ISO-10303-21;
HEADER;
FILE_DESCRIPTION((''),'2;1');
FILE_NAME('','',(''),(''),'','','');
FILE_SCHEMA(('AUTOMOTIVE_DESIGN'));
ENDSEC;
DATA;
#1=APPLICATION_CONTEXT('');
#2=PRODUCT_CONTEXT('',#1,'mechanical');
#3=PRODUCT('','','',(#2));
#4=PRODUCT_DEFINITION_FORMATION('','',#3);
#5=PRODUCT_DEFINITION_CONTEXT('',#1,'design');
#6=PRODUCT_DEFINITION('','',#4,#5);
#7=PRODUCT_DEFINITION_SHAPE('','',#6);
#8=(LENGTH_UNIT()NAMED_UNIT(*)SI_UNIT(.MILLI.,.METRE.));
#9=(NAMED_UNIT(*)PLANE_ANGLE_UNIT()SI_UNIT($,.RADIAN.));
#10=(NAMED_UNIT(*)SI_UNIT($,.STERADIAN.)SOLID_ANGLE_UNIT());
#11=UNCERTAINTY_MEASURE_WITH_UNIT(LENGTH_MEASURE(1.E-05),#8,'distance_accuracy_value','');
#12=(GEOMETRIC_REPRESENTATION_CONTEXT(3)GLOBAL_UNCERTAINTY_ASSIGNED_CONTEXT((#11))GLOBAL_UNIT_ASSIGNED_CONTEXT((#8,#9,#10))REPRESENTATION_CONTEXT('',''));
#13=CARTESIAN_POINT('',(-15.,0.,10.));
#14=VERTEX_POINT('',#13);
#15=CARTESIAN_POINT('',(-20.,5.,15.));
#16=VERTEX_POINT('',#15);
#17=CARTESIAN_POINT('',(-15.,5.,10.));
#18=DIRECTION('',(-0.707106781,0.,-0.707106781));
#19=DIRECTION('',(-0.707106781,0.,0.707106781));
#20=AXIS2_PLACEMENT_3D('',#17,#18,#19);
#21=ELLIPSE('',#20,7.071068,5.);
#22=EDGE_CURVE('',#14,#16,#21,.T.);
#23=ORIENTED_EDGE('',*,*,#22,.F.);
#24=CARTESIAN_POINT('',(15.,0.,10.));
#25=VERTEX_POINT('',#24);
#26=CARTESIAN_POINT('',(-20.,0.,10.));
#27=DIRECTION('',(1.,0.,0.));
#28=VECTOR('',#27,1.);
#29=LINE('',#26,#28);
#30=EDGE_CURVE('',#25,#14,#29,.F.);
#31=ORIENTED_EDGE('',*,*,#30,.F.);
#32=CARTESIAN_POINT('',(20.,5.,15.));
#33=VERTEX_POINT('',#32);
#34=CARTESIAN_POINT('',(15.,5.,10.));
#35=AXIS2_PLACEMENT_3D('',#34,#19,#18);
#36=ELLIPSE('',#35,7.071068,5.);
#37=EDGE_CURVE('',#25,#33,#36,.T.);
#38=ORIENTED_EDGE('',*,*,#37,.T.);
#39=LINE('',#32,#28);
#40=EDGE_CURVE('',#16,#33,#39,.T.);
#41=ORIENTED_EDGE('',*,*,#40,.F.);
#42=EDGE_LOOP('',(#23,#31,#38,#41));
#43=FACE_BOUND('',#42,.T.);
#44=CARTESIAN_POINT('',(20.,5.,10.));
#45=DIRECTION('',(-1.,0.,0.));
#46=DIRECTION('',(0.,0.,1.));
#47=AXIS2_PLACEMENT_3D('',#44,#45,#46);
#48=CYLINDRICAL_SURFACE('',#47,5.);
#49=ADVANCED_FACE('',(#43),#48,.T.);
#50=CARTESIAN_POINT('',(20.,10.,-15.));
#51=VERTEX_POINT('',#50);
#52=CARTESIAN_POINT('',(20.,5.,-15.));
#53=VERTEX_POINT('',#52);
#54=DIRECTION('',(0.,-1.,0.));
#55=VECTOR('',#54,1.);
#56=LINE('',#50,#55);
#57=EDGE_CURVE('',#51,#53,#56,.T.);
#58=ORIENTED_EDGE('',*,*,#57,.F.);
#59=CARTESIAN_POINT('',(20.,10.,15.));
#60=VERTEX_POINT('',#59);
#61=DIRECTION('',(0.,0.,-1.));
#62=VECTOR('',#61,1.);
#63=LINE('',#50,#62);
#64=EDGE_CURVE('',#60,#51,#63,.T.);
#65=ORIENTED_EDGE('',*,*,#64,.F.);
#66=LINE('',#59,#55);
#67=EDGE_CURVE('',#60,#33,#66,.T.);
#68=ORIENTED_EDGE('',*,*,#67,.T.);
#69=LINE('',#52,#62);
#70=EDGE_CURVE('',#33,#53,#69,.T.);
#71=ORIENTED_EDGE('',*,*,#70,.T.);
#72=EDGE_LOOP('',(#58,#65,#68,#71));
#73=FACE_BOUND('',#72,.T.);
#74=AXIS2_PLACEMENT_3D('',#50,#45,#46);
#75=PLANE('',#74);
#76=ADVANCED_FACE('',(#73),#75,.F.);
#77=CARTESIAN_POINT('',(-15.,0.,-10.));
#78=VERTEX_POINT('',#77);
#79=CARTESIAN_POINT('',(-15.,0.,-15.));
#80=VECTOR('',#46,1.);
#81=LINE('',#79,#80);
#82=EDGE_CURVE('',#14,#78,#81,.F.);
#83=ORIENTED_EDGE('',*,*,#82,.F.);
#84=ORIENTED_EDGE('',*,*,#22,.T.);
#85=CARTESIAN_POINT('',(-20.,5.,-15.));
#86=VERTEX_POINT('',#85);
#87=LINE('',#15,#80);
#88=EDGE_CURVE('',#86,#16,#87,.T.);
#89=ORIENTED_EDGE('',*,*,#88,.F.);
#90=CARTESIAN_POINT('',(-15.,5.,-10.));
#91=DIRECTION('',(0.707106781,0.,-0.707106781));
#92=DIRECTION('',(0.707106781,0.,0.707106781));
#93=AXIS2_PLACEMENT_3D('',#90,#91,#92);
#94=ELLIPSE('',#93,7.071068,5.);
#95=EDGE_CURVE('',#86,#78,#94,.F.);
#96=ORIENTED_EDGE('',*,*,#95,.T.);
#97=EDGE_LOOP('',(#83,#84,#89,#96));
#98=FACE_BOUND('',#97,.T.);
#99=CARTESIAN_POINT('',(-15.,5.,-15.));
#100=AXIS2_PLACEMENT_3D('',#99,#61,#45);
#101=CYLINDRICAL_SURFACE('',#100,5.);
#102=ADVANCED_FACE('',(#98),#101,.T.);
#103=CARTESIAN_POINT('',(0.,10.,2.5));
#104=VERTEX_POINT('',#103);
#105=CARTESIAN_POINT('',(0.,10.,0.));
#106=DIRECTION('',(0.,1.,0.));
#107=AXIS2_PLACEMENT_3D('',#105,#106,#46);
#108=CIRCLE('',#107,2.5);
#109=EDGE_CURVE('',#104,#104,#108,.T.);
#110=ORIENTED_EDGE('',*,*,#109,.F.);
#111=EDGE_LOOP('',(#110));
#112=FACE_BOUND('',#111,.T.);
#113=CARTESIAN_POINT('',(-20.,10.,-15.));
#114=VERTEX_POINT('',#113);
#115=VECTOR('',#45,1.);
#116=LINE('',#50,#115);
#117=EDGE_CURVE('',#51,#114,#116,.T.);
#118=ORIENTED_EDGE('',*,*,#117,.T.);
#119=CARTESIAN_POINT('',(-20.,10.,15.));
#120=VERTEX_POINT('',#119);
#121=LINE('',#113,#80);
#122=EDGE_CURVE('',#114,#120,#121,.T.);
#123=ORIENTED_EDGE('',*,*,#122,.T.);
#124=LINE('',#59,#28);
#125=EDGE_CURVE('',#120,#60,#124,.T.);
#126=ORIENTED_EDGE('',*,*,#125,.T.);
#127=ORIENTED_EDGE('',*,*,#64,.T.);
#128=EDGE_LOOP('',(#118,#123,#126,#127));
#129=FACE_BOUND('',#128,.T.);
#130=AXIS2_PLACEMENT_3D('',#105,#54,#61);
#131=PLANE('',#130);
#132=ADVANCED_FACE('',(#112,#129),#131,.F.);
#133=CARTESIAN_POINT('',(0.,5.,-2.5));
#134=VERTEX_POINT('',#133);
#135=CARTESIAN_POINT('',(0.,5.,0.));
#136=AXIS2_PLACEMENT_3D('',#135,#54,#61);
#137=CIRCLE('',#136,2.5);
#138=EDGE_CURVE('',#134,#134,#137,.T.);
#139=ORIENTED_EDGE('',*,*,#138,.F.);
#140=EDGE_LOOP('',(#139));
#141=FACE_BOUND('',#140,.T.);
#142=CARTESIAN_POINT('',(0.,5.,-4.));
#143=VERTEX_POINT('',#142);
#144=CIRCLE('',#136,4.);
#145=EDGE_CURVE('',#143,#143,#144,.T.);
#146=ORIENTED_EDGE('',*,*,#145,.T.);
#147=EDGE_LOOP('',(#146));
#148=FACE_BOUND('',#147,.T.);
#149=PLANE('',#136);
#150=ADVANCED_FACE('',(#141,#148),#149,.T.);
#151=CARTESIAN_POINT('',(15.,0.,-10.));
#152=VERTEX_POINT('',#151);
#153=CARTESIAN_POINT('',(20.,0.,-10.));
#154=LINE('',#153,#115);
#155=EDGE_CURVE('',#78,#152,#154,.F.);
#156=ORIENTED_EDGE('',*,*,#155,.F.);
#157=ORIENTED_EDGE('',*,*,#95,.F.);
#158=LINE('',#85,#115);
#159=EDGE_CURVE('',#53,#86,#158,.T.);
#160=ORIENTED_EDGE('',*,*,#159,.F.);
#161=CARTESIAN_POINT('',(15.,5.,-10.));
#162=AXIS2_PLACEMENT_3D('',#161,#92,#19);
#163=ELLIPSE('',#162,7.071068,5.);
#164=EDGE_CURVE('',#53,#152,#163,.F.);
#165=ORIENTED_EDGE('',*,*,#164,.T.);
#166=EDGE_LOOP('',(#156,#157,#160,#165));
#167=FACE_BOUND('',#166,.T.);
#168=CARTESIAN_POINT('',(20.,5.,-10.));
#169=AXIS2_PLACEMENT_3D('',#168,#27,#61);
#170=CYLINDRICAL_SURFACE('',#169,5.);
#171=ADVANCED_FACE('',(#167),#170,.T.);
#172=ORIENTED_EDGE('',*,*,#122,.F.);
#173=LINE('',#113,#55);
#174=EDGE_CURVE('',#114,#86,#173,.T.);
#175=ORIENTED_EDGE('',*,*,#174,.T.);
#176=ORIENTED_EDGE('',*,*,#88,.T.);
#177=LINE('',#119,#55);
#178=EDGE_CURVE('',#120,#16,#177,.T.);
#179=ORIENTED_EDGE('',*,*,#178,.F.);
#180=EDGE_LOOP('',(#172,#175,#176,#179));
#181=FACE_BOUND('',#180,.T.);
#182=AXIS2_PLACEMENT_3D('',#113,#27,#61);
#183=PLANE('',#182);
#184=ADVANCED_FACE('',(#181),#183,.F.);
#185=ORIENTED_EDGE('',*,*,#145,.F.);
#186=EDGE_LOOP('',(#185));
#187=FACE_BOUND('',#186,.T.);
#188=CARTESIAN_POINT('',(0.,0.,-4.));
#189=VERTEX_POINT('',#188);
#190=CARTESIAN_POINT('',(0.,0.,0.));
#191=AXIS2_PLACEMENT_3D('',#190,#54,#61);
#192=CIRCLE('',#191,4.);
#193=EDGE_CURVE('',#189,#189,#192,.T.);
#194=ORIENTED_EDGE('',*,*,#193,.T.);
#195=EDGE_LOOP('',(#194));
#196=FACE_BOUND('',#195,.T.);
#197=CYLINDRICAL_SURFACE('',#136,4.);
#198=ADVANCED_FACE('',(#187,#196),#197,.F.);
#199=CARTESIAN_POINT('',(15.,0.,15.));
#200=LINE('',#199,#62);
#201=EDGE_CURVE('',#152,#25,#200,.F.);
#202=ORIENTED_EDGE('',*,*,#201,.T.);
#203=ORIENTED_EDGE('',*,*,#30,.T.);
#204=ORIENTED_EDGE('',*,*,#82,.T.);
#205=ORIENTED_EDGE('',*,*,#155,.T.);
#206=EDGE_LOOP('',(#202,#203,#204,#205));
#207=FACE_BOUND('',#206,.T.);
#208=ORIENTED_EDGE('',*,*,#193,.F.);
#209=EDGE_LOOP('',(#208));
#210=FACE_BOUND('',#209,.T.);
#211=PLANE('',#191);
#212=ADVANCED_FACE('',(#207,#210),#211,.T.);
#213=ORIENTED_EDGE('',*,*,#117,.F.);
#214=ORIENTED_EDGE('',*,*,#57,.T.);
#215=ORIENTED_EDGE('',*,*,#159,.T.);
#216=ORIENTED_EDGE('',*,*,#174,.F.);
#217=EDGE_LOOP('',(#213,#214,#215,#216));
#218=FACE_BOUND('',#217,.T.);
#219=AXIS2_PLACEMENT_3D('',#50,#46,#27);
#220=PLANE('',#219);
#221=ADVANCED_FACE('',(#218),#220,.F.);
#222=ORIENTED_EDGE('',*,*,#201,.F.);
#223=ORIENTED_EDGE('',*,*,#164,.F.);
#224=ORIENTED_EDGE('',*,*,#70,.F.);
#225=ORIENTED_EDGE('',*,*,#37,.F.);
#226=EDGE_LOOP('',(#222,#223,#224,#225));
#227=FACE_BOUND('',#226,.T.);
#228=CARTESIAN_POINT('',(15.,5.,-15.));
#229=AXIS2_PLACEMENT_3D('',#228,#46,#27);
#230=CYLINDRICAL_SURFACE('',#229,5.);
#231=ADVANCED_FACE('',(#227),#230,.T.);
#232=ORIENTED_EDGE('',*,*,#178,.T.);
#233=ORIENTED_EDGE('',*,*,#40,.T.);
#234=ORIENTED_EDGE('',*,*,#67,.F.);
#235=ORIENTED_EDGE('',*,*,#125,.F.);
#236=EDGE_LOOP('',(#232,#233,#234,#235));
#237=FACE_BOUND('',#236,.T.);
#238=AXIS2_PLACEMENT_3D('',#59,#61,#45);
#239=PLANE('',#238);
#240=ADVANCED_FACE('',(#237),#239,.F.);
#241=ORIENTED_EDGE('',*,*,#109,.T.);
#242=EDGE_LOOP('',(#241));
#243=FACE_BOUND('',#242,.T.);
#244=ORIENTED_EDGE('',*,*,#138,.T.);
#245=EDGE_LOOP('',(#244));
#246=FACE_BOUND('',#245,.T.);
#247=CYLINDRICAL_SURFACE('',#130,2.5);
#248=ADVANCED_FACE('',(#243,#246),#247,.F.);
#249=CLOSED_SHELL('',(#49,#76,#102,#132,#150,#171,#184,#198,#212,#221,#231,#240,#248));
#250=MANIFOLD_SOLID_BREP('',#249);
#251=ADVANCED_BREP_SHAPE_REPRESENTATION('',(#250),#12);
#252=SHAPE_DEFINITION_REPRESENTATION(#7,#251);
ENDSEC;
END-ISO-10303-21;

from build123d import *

# Parameters (mm, degrees)
ESQUISSE1_W     = 40
ESQUISSE1_H     = 30
ESQUISSE1_R     = 2.5
BASE_DEPTH      = 10
EXT_R           = 5
ESQUISSE2_R     = 4
ACCES_VIS_DEPTH = 5


with BuildPart() as part:
    # Esquisse1 → BASE (new body)
    with BuildSketch(Plane(origin=(0, 0, 0), x_dir=(1, 0, 0), z_dir=(0, 1, 0))):
        Rectangle(ESQUISSE1_W, ESQUISSE1_H)
        with Locations(Location((0, 0, 0), (0, 0, 270))):
            Circle(ESQUISSE1_R, mode=Mode.SUBTRACT)
    extrude(amount=BASE_DEPTH)

    # EXT
    ext_edges = [part.edges().sort_by_distance(p)[0] for p in [
        (0, 0, -15),
        (20, 0, 0),
        (0, 0, 15),
        (-20, 0, 0),
    ]]
    fillet(ext_edges, radius=EXT_R)

    # Esquisse2 → ACCES VIS (cut)
    with BuildSketch(Plane(origin=(0, 0, 0), x_dir=(-1, 0, 0), z_dir=(0, -1, 0))):
        with Locations(Location((0, 0, 0), (0, 0, 90))):
            Circle(ESQUISSE2_R)
    extrude(amount=-ACCES_VIS_DEPTH, mode=Mode.SUBTRACT)


solid = part.part
